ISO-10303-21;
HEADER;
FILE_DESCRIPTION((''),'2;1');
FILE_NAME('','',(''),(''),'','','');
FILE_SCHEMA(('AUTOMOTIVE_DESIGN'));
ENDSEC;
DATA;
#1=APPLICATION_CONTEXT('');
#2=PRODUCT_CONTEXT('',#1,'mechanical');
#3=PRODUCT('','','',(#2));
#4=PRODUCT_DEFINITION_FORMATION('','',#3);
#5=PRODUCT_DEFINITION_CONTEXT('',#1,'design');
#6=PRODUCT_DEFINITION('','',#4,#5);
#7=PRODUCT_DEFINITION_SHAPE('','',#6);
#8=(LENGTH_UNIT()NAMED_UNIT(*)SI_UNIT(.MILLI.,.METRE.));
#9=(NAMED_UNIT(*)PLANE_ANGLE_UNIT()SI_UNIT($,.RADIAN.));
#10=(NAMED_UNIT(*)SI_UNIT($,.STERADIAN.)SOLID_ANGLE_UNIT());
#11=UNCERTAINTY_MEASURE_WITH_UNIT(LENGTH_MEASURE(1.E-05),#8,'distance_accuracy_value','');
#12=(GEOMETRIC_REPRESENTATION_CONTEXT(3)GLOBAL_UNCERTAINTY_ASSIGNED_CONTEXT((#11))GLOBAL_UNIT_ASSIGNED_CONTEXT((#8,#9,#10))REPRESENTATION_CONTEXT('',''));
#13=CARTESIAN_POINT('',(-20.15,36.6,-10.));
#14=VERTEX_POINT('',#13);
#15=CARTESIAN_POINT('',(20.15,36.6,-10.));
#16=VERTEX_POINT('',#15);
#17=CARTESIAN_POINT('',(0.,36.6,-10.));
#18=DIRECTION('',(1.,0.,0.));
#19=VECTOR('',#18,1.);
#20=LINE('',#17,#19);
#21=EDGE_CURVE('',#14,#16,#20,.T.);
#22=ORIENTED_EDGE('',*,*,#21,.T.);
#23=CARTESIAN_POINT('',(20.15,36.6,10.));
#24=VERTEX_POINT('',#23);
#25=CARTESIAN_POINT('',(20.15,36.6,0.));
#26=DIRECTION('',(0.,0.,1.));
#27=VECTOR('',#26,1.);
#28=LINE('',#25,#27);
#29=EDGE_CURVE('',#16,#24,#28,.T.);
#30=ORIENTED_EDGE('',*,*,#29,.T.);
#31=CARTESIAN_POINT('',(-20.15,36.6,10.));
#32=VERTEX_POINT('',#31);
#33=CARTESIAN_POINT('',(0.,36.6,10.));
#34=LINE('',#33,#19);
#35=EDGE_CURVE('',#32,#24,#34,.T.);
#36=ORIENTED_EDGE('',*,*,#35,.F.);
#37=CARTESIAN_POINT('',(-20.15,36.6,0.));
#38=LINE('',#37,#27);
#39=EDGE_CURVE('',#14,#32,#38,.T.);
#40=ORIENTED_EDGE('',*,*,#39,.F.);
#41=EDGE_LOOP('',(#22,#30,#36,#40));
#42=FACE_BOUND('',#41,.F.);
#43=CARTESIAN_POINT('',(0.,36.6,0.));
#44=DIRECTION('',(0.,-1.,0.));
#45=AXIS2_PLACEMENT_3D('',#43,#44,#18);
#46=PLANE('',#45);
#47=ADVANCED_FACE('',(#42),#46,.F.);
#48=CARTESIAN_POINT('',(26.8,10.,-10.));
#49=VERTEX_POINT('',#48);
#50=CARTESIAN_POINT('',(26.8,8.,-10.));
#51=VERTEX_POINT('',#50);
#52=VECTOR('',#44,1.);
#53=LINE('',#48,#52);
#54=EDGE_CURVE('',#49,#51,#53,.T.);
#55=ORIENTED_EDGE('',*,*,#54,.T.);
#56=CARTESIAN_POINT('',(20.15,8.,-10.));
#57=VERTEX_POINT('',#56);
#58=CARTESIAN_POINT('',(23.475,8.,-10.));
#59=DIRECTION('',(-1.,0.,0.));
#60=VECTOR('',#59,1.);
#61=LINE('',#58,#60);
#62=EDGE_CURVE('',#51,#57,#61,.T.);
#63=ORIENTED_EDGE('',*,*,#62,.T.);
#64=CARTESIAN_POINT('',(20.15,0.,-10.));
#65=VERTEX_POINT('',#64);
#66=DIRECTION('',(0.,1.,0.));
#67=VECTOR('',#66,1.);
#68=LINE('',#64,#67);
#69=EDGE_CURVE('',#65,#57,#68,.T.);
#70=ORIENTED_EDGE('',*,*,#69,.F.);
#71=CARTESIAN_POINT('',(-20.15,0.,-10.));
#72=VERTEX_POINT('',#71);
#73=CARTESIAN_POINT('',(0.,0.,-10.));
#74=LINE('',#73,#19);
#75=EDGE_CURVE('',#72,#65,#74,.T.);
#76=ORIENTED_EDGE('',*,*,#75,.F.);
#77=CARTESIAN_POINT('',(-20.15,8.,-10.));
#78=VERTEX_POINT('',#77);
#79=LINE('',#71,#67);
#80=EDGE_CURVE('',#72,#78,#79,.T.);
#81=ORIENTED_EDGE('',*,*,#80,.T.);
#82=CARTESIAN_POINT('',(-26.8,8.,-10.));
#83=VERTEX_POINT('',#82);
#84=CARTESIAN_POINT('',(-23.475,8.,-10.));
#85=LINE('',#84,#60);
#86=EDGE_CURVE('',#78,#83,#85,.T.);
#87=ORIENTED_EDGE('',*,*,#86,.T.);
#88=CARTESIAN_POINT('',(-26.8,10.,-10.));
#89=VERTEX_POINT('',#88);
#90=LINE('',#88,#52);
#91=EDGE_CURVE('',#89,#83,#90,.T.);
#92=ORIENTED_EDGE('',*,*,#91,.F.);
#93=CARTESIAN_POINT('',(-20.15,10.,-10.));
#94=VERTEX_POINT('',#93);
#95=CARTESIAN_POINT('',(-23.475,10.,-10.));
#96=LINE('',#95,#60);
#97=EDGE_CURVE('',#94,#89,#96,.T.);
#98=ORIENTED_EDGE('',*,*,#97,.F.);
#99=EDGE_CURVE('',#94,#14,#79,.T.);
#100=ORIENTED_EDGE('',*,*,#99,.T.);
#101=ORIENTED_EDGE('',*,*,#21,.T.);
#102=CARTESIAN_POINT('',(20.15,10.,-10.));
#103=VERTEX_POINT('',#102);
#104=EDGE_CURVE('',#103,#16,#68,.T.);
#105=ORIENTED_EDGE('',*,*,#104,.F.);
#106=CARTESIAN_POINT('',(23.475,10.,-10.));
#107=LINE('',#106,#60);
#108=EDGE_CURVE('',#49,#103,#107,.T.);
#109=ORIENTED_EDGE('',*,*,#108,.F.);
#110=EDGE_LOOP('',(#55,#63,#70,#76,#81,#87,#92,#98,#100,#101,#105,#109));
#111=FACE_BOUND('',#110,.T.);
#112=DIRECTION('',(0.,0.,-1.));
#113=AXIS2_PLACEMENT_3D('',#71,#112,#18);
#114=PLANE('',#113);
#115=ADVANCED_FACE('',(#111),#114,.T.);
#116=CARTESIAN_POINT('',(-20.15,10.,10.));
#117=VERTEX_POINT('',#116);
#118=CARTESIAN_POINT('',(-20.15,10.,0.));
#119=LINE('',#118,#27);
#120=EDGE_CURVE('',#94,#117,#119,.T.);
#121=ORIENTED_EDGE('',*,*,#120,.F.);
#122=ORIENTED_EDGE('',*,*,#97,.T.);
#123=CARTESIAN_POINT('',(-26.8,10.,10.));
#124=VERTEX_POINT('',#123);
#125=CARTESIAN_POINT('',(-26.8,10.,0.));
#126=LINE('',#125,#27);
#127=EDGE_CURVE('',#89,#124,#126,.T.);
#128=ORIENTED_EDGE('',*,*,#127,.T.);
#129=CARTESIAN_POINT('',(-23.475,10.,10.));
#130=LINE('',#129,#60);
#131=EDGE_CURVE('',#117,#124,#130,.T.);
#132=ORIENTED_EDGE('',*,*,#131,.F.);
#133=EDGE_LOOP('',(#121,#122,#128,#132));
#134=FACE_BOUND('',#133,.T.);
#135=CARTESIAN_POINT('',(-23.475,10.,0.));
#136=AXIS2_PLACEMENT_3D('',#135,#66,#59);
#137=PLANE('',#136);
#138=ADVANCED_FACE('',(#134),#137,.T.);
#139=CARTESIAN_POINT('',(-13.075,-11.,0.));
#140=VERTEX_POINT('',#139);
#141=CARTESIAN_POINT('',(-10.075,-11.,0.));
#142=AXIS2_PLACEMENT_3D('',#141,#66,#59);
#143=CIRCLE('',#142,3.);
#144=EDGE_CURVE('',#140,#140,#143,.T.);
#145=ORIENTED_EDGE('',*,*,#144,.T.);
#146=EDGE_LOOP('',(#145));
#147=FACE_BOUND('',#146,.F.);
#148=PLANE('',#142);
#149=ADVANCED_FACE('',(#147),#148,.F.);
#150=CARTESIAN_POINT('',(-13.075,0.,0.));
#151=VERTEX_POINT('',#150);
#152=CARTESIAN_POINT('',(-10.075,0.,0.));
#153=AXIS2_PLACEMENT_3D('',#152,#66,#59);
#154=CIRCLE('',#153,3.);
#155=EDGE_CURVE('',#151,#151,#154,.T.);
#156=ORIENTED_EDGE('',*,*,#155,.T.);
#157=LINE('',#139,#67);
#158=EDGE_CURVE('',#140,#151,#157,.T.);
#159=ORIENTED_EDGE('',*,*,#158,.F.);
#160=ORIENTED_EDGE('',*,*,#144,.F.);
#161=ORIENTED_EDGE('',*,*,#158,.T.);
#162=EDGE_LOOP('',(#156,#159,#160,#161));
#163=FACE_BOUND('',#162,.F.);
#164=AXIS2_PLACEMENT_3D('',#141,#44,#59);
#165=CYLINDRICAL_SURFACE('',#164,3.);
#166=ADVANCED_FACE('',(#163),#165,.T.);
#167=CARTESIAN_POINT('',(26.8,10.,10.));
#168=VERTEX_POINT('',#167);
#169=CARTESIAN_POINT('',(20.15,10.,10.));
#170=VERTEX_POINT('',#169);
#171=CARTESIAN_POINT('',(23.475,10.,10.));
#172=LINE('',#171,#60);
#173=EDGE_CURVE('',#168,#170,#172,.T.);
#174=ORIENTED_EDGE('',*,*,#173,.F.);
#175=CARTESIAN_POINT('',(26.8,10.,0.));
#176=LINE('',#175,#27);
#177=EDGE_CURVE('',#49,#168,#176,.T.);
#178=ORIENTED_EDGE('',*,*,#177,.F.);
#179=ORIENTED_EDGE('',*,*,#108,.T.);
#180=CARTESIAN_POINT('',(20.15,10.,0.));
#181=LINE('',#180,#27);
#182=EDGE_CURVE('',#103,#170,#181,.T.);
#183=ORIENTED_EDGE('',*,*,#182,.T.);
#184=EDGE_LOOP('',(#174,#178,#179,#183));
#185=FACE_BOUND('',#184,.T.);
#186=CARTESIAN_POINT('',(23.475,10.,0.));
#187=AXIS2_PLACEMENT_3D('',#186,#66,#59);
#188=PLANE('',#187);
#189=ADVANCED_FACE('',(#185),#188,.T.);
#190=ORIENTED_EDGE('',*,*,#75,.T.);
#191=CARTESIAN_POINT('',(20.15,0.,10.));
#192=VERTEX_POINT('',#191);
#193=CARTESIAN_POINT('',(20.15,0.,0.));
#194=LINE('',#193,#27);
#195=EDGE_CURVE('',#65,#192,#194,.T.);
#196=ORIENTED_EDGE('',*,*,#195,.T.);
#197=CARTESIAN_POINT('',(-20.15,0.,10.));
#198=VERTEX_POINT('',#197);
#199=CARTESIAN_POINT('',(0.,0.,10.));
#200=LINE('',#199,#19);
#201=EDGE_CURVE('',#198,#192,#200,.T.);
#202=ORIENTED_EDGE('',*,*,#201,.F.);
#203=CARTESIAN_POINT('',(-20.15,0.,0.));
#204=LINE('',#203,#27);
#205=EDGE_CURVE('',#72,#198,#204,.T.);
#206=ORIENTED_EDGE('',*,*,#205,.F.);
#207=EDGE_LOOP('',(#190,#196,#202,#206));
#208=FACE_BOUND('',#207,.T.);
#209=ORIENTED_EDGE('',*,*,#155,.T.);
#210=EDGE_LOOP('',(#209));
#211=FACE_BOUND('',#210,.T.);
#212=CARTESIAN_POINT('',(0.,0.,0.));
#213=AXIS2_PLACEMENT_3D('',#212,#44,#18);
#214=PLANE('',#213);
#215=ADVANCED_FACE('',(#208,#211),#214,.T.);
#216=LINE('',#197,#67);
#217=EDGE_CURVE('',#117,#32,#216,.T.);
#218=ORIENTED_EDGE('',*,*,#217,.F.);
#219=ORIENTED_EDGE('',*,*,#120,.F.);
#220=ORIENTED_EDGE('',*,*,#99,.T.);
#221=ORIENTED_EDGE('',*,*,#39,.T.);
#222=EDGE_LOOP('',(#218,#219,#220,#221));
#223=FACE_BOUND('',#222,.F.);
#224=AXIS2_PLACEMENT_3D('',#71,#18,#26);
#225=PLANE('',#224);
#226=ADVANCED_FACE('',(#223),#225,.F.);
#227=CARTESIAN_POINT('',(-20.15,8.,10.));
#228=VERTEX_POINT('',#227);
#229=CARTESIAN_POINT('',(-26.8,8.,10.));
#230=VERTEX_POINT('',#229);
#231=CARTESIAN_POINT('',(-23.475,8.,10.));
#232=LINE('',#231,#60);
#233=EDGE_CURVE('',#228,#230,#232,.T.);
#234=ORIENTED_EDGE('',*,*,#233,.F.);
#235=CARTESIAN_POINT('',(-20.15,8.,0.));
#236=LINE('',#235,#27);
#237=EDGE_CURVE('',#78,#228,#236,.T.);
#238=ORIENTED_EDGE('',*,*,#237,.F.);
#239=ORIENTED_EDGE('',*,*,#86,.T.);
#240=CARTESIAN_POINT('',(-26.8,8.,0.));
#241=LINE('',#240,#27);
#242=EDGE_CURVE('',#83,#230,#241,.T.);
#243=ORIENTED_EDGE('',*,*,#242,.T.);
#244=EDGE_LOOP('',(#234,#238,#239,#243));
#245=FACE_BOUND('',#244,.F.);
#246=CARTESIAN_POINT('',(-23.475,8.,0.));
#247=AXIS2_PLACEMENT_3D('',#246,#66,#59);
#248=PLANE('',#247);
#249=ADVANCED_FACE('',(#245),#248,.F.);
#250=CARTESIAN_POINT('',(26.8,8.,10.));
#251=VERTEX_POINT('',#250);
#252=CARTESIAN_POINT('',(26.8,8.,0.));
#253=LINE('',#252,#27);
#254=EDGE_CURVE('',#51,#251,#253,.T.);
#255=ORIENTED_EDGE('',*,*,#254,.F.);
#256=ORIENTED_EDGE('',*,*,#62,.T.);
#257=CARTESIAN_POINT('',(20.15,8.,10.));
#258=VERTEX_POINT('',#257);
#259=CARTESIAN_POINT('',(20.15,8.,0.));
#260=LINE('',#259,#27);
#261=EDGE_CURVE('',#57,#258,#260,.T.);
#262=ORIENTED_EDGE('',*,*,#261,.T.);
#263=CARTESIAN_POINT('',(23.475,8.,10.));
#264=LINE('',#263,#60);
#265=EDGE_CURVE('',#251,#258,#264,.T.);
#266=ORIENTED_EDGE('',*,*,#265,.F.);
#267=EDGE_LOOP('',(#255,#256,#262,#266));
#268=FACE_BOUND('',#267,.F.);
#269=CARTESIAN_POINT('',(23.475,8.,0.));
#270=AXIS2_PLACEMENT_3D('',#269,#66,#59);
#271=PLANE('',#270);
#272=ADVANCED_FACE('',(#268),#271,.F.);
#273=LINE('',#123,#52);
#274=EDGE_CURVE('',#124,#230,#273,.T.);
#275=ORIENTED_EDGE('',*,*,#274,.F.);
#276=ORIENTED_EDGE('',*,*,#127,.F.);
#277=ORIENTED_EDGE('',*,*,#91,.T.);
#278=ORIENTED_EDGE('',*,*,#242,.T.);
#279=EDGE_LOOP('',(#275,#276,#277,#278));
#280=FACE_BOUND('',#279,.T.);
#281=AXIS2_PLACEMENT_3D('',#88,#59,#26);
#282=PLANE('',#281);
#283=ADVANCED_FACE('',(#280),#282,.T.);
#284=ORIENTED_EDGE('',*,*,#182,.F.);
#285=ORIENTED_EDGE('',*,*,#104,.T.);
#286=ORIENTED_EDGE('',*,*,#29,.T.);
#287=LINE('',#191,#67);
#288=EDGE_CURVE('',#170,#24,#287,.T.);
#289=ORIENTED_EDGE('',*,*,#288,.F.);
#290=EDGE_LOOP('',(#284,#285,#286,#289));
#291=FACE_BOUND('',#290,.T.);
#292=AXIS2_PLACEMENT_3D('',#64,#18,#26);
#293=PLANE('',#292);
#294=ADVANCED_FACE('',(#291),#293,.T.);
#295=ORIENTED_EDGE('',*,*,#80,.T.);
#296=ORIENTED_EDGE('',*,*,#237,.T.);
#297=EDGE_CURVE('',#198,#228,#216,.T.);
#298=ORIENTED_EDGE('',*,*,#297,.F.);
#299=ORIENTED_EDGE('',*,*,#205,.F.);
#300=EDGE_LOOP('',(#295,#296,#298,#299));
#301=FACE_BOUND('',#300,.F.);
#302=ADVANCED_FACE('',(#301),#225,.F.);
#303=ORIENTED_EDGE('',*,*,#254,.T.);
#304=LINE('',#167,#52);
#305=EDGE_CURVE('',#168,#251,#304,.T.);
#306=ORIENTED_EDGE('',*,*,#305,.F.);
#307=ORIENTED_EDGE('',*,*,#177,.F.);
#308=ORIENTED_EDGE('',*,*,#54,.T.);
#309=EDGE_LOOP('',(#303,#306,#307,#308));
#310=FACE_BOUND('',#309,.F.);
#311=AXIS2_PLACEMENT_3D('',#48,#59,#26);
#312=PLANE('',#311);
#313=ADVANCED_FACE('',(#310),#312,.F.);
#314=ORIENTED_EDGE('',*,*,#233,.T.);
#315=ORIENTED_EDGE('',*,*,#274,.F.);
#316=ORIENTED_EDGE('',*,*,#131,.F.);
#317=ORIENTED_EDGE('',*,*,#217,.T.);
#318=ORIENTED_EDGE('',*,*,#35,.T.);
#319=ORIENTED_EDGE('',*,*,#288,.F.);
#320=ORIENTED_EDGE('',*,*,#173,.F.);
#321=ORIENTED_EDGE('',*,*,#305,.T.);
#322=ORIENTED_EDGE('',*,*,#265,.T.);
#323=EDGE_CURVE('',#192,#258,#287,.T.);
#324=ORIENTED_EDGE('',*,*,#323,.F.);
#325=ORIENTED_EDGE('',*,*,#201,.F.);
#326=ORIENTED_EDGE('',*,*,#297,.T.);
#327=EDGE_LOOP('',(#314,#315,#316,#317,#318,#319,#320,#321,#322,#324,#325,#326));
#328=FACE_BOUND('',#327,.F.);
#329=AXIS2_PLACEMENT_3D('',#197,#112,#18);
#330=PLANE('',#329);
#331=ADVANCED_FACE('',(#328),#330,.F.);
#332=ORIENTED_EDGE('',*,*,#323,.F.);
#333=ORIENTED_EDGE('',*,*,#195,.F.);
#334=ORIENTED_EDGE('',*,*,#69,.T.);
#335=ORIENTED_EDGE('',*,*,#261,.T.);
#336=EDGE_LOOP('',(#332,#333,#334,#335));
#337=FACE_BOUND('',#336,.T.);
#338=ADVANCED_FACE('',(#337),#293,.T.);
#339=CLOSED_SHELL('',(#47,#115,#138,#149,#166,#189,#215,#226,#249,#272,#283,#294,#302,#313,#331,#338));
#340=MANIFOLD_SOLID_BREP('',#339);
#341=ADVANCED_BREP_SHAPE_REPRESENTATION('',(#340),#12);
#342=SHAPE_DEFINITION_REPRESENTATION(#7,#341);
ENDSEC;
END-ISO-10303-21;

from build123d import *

# Parameters (mm, degrees)
F0_W     = 40.3
F0_H     = 20
F1_DEPTH = 36.6
F3_W     = 6.65
F3_H     = 20
F4_DEPTH = 2
F6_R     = 3
F7_DEPTH = 11


with BuildPart() as f1:
    # F0 (on Front) → F1 (new body)
    with BuildSketch(Plane.XZ):
        Rectangle(F0_W, F0_H)
    extrude(amount=-F1_DEPTH)

    # F3 (on offset) → F4 (join)
    with BuildSketch(Plane(origin=(0, 10, 0), x_dir=(-1, 0, 0), z_dir=(0, 1, 0))):
        with Locations((-23.475, 0)):
            Rectangle(F3_W, F3_H)
        with Locations((23.475, 0)):
            Rectangle(F3_W, F3_H)
    extrude(amount=-F4_DEPTH)

    # F6 (on offset) → F7 (join, through all)
    with BuildSketch(Plane(origin=(0, -11, 0), x_dir=(-1, 0, 0), z_dir=(0, 1, 0))):
        with Locations((10.075, 0)):
            Circle(F6_R)
    extrude(amount=F7_DEPTH)


solid = f1.part
